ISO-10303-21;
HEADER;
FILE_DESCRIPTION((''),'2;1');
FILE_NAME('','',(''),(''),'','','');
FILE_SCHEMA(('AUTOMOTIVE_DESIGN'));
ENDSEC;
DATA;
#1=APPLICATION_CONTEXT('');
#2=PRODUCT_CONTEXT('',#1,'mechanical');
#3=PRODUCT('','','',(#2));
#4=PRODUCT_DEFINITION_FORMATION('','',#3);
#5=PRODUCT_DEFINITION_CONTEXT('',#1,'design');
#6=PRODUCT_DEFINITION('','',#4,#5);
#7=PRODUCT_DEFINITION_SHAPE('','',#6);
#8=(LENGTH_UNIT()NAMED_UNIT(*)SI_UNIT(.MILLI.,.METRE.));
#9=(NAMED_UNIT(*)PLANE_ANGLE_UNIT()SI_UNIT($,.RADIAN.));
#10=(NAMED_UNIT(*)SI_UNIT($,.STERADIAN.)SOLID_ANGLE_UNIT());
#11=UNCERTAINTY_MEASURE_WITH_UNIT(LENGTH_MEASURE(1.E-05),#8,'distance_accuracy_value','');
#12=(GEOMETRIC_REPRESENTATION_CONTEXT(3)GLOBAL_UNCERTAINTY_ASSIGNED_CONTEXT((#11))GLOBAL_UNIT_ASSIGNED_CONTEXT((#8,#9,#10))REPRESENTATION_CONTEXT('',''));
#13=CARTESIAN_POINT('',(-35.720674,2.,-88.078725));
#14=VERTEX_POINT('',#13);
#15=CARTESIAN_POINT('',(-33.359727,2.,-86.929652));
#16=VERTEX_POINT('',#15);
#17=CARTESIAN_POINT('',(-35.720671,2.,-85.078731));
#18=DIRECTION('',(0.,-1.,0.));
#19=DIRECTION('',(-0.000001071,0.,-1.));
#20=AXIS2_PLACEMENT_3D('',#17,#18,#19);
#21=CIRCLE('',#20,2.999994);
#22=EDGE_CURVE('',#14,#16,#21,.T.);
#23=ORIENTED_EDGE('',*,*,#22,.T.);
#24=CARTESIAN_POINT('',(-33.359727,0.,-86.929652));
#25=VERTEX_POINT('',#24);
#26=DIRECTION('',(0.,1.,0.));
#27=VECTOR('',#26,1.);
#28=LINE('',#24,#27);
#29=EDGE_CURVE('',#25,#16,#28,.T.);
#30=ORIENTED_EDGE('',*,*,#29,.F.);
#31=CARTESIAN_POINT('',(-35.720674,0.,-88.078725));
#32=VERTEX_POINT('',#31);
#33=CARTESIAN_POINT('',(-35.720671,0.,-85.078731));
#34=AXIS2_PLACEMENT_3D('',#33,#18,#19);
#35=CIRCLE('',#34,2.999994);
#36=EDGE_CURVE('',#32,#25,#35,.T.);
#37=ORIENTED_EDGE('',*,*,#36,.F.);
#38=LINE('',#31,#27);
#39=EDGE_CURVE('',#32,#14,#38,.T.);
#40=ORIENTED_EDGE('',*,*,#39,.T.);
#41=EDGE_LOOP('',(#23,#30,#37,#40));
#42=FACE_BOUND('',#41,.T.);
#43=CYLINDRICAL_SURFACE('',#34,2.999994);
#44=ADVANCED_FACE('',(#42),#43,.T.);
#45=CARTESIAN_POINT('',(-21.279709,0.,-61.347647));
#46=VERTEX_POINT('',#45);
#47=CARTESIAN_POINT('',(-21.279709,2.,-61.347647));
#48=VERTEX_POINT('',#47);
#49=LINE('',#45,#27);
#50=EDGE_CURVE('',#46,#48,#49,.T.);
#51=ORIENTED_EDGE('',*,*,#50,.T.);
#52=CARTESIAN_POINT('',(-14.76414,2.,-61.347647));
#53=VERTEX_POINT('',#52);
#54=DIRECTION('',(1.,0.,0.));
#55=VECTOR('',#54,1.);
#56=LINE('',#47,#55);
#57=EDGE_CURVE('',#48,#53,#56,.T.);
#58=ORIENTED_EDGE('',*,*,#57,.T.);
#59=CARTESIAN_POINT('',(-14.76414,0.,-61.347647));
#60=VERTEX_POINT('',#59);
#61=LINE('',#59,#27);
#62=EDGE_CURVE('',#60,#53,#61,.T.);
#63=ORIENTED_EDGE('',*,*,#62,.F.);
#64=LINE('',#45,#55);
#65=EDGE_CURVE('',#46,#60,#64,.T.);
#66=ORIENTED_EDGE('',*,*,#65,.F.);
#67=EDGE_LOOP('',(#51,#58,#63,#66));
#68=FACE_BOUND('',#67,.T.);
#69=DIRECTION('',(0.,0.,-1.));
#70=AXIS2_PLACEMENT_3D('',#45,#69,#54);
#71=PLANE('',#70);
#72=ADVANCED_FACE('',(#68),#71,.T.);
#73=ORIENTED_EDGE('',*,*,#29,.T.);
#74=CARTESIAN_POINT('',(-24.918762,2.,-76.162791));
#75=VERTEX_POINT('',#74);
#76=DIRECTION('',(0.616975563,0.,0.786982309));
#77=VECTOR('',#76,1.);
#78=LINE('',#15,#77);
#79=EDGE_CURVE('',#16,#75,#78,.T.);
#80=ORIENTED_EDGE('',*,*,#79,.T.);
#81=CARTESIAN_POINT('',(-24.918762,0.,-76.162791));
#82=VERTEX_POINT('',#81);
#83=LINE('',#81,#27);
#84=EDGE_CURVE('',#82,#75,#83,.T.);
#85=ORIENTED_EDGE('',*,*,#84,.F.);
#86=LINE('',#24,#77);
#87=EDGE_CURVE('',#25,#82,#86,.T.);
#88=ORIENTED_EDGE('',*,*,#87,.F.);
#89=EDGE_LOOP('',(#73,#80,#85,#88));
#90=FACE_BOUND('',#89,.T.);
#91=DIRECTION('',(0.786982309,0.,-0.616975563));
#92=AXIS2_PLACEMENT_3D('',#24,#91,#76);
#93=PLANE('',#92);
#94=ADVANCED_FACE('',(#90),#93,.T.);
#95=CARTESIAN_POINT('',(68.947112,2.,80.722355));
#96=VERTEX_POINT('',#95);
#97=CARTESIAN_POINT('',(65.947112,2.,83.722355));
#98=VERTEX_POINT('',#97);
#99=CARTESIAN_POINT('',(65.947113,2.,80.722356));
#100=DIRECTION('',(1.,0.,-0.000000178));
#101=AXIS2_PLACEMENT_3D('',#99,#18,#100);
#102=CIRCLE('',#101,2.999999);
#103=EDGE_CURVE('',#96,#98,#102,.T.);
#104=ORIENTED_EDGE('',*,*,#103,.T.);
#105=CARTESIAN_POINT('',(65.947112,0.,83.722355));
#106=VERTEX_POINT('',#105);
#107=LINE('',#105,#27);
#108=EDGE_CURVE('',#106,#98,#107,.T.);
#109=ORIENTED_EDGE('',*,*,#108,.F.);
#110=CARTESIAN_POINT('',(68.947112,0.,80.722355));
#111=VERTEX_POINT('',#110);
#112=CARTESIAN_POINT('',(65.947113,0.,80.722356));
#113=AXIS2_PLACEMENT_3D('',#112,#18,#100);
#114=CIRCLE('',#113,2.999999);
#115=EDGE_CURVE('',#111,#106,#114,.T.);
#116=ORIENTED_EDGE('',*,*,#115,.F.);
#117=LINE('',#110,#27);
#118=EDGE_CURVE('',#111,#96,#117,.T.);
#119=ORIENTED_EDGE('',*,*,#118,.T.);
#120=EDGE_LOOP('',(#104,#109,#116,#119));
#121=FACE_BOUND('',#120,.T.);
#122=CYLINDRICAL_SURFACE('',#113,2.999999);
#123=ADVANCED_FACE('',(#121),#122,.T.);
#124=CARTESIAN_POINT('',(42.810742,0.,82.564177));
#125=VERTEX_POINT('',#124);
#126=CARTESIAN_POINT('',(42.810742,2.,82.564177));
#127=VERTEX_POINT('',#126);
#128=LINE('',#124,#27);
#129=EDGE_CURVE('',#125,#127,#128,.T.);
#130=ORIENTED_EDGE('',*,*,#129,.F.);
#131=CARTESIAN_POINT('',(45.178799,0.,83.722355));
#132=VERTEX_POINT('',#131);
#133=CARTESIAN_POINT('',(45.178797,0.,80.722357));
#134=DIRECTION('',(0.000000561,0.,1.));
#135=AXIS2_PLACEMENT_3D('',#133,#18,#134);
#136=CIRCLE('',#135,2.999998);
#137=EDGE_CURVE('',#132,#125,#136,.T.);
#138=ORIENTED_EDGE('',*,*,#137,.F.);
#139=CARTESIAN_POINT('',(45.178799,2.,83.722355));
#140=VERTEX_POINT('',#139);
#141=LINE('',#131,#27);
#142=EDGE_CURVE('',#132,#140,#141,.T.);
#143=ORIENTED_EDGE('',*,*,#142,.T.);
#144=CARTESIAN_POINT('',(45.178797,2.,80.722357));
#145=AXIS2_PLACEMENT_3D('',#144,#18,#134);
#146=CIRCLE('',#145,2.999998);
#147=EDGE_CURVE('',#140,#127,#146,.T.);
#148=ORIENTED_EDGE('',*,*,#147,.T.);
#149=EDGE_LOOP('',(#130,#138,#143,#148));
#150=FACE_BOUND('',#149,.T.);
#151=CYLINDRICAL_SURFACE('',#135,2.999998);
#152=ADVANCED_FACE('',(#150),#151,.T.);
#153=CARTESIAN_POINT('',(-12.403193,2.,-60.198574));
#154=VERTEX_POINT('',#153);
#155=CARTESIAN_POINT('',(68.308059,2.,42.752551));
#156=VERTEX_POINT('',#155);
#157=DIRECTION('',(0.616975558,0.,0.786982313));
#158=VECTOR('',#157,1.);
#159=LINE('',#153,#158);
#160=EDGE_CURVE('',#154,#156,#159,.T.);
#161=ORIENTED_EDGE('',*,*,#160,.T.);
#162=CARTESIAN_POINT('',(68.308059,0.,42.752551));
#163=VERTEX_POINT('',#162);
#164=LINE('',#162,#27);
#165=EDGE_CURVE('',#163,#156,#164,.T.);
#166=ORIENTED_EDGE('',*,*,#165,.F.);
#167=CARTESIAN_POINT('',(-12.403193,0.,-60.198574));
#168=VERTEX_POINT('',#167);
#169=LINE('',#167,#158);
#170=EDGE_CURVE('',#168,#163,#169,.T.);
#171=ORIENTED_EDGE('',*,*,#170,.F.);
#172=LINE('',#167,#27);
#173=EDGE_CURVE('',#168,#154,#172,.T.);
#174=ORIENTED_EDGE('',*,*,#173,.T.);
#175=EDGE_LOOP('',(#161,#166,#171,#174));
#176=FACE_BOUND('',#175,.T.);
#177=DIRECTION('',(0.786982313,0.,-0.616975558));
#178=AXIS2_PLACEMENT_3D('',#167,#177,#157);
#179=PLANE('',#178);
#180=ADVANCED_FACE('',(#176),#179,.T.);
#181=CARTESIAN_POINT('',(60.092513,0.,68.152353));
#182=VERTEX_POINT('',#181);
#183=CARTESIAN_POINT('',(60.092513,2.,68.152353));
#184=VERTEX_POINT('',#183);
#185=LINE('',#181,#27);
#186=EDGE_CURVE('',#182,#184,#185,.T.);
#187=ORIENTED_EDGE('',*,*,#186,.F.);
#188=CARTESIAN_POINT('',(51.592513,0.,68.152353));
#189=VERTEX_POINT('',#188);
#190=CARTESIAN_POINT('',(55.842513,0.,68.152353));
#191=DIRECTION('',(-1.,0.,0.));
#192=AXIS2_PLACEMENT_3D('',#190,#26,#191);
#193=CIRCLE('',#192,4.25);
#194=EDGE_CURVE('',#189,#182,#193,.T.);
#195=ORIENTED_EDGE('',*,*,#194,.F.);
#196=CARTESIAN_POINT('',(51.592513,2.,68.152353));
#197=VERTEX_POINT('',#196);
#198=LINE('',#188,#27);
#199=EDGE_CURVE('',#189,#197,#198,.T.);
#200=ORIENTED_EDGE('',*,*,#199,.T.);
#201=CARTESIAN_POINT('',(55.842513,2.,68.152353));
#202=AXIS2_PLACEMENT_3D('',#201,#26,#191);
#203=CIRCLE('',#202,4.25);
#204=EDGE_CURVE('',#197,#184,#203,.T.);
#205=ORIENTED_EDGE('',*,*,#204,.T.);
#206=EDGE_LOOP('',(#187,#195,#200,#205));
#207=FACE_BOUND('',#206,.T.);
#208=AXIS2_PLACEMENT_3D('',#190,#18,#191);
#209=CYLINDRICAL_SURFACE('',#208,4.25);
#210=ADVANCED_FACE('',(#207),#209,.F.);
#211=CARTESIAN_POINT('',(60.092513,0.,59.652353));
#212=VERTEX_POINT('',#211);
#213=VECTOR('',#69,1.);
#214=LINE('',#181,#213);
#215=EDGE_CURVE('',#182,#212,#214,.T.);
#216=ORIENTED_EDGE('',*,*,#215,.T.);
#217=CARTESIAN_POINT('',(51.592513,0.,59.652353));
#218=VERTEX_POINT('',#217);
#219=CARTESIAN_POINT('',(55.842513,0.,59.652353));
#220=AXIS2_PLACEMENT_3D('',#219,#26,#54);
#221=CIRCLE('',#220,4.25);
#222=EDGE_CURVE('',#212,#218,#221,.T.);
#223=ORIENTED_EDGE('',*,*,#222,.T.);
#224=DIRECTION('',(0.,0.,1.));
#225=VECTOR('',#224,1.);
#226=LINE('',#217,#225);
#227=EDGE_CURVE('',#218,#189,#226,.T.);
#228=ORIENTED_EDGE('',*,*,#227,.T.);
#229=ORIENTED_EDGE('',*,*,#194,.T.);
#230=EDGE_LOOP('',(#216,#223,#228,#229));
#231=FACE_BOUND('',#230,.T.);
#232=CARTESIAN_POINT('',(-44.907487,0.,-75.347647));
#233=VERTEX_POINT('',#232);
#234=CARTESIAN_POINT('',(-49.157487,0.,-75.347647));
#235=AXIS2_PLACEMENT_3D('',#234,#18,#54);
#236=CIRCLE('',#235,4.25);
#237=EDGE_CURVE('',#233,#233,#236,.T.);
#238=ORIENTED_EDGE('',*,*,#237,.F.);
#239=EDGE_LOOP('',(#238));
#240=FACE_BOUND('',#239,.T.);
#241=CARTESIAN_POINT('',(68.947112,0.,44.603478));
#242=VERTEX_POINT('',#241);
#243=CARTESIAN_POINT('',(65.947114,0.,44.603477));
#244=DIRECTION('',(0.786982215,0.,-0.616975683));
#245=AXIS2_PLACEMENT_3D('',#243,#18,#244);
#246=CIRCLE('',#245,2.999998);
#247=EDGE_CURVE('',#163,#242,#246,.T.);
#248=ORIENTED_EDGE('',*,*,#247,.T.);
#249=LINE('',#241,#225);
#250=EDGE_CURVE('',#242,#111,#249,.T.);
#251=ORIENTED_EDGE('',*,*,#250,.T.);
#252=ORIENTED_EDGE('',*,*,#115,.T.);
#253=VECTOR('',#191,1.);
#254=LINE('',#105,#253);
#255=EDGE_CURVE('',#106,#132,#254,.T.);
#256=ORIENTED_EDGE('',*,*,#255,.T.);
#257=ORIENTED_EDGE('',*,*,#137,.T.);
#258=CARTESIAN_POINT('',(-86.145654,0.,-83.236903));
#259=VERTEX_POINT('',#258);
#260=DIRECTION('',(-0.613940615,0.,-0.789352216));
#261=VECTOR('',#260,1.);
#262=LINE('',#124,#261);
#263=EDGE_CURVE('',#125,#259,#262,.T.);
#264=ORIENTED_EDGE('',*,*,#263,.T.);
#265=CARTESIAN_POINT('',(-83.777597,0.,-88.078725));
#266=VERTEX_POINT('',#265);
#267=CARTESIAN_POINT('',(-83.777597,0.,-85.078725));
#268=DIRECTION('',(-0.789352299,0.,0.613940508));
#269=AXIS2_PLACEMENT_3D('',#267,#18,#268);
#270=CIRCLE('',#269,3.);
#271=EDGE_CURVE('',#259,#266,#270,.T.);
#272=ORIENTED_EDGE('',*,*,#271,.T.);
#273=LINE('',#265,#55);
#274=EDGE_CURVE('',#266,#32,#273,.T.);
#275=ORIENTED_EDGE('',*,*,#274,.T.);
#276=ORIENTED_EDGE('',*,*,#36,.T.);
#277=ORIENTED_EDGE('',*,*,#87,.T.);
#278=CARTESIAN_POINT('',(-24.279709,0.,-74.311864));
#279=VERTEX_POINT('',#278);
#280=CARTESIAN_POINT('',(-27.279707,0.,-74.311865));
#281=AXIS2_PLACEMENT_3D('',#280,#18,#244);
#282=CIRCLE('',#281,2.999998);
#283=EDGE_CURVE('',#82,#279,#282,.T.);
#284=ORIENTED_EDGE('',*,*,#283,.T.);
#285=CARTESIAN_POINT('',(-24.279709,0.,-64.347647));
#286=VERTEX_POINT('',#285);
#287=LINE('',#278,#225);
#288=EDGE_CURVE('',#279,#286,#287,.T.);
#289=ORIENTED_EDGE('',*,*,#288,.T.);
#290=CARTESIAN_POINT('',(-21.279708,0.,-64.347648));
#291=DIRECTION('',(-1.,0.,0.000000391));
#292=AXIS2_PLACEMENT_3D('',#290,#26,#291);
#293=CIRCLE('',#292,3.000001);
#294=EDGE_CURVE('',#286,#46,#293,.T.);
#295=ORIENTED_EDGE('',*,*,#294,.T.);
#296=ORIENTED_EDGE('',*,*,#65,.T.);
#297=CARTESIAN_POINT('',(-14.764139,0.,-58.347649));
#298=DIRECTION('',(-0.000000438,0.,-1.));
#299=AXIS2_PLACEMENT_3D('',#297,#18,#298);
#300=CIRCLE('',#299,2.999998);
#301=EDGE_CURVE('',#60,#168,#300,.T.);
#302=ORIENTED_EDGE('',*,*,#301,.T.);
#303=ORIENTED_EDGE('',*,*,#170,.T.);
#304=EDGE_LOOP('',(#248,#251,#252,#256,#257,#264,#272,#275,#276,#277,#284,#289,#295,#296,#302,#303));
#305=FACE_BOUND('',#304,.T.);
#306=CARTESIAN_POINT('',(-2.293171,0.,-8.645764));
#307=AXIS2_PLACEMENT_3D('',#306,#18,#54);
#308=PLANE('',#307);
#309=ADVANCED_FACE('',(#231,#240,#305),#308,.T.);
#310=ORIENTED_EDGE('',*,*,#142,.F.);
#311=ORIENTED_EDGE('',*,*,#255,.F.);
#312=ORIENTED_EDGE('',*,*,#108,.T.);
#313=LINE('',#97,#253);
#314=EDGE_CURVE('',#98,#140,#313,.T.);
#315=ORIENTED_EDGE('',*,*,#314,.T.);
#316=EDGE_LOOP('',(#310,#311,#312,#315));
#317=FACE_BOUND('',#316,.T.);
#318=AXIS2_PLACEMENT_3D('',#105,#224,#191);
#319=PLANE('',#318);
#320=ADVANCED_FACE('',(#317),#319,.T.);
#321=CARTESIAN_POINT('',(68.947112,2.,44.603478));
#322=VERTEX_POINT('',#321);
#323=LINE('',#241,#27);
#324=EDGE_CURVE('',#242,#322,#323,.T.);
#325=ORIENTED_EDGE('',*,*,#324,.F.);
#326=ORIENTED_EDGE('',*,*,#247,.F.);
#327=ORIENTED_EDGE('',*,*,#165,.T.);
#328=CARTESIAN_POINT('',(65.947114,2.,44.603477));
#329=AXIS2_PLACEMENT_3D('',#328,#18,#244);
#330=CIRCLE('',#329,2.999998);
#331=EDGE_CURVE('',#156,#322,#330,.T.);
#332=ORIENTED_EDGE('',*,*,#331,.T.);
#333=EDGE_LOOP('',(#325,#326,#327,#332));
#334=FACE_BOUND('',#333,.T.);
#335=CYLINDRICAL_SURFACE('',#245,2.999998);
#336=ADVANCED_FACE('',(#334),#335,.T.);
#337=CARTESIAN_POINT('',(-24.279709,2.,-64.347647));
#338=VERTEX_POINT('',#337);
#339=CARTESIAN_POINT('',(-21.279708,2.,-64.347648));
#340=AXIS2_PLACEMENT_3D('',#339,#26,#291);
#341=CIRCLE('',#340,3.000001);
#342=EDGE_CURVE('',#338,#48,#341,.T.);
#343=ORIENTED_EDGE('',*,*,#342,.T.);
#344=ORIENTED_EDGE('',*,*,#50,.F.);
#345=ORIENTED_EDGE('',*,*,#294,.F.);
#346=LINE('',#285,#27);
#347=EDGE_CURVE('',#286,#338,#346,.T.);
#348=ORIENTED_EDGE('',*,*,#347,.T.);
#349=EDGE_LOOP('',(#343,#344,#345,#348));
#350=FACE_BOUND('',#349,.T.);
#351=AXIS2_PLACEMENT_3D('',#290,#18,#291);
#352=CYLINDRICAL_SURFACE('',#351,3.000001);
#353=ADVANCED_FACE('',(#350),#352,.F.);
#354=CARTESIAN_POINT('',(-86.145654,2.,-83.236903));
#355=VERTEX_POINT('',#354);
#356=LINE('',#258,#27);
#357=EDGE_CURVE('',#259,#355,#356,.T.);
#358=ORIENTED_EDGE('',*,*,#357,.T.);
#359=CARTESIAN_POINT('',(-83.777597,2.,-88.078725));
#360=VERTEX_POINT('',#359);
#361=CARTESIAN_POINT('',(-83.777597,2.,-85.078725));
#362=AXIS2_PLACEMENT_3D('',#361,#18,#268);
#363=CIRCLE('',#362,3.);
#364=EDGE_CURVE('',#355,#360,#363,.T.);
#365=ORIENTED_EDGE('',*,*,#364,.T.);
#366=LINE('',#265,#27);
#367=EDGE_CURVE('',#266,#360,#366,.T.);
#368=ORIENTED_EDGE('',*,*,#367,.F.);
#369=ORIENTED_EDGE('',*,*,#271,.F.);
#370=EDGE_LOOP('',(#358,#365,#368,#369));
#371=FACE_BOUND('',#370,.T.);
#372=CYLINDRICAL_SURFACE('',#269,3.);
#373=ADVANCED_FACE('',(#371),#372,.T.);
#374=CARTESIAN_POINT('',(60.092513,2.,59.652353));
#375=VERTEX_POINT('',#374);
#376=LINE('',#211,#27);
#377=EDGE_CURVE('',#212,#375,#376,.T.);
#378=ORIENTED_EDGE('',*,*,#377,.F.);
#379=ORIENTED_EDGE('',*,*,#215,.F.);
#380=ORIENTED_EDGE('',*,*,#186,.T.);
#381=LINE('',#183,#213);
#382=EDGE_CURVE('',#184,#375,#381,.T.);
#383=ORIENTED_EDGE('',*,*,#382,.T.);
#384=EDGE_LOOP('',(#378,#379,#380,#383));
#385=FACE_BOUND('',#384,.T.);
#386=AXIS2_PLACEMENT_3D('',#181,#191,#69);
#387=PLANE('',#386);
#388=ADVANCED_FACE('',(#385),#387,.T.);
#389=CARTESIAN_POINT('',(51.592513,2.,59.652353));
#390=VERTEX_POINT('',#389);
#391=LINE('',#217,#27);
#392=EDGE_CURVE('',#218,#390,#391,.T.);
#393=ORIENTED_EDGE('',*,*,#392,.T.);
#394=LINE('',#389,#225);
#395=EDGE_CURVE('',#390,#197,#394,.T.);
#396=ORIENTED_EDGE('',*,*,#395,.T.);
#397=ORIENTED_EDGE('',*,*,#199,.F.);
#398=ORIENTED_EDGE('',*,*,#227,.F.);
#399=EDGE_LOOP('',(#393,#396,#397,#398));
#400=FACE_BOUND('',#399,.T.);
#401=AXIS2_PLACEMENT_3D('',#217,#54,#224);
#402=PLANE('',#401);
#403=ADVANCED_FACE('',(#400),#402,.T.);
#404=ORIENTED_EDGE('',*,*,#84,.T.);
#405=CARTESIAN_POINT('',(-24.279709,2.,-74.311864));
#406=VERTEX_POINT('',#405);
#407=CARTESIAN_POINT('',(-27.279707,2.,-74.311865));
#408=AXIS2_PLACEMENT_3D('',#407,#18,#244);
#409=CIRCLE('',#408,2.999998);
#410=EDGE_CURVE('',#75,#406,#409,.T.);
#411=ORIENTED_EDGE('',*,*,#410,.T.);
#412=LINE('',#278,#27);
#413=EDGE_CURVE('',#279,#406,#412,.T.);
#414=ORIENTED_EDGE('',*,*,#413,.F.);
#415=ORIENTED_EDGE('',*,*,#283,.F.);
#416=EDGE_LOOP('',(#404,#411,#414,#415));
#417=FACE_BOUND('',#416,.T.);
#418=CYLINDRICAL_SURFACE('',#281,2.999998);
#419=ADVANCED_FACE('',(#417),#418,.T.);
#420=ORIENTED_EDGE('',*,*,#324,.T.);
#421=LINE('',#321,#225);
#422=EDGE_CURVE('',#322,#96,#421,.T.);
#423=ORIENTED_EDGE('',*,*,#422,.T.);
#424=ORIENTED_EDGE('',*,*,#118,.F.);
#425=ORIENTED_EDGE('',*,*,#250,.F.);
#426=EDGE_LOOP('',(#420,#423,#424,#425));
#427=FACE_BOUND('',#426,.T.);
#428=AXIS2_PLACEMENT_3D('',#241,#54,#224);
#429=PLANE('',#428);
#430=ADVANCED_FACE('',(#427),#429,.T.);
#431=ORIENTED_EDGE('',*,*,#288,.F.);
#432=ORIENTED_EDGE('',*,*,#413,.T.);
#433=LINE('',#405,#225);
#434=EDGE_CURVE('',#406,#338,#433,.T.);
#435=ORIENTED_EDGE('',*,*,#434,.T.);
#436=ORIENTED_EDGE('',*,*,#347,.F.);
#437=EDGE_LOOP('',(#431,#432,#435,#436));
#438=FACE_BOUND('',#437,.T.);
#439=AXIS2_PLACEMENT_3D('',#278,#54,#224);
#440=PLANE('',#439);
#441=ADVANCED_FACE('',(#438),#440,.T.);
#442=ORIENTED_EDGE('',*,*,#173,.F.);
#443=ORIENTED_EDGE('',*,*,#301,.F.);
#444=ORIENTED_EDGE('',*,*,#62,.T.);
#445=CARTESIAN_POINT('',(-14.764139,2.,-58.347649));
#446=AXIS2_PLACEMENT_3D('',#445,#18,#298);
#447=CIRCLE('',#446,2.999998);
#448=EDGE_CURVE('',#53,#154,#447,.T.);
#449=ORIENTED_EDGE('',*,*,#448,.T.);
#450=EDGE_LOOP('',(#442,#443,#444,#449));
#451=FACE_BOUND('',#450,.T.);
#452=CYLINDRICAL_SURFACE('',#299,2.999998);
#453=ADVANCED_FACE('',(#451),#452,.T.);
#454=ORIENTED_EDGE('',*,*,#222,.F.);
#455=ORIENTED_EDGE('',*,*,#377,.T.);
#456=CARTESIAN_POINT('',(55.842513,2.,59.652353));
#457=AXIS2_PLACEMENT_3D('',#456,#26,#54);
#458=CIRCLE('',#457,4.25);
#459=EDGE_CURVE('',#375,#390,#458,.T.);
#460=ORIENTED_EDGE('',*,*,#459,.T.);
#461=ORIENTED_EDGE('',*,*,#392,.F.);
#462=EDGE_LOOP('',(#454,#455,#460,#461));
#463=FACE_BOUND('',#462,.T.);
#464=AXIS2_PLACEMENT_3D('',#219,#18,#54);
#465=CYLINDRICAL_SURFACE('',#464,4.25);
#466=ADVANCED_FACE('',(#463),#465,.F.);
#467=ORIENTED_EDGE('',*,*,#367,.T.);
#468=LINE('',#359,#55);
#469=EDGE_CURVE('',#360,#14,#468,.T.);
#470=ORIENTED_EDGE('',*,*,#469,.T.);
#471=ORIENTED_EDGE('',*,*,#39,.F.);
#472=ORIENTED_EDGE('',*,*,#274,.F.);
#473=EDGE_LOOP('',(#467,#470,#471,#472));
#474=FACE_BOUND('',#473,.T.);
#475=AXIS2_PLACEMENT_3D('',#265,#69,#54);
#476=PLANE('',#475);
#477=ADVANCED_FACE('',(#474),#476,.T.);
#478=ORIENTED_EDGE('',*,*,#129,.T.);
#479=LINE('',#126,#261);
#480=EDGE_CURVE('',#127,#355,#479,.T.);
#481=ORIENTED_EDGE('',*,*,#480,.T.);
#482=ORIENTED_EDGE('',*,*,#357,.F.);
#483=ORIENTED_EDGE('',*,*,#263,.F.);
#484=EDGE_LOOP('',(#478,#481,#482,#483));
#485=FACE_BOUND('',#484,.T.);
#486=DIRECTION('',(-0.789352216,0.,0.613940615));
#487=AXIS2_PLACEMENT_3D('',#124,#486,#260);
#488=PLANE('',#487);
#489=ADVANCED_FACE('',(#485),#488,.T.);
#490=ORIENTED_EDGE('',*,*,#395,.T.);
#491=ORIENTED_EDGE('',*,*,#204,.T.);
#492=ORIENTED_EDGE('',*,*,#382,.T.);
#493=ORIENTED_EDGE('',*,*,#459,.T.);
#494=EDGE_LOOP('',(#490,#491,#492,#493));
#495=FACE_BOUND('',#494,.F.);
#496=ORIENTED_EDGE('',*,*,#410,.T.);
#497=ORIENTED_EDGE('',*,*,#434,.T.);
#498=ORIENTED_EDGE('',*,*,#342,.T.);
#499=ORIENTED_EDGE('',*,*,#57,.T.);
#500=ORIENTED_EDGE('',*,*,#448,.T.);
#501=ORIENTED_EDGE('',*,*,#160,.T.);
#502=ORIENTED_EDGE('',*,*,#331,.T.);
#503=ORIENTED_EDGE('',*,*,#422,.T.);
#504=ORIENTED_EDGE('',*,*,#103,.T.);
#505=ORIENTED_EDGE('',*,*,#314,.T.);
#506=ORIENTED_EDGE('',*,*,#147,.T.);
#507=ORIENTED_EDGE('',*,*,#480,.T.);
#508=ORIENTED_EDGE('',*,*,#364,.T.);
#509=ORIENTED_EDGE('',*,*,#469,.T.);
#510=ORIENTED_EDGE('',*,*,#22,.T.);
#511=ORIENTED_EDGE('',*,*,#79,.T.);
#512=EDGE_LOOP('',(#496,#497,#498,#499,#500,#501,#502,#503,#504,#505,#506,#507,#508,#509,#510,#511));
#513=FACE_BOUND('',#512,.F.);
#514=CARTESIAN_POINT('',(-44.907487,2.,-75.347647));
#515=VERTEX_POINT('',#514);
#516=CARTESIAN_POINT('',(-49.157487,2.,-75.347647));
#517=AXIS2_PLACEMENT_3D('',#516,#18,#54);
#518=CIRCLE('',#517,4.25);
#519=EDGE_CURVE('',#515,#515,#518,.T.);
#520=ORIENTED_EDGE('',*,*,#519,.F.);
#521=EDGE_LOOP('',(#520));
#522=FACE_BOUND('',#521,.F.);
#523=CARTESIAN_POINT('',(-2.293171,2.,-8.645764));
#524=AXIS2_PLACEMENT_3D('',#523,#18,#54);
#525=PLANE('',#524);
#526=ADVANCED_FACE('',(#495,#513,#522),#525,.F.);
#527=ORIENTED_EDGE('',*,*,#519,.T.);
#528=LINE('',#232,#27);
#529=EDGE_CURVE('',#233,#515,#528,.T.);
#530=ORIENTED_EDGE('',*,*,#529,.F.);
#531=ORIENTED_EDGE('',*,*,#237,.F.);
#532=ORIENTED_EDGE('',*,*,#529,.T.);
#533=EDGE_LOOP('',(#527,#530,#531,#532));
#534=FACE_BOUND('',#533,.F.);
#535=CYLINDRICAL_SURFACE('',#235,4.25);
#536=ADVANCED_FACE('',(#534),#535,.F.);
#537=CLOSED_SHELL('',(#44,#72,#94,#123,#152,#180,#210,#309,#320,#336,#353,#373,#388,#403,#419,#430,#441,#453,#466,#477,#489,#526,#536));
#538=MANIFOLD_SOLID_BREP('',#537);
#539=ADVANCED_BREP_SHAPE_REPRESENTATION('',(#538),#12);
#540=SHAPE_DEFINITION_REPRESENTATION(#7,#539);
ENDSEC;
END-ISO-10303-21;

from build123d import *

# Parameters (mm, degrees)
F0_R     = 4.25
F1_DEPTH = 2


with BuildPart() as f1:
    # F0 (on Front) → F1 (new body)
    with BuildSketch(Plane.XZ):
        with BuildLine():
            ThreePointArc((-86.145654, -83.236903), (-86.472543, -86.396779), (-83.777597, -88.078725))
            Line((-83.777597, -88.078725), (-35.720674, -88.078725))
            ThreePointArc((-35.720674, -88.078725), (-34.40781, -87.776204), (-33.359727, -86.929652))
            Line((-33.359727, -86.929652), (-24.918762, -76.162791))
            ThreePointArc((-24.918762, -76.162791), (-24.443969, -75.290935), (-24.279709, -74.311864))
            Line((-24.279709, -74.311864), (-24.279709, -64.347647))
            ThreePointArc((-24.279709, -64.347647), (-23.401029, -62.226327), (-21.279709, -61.347647))
            Line((-21.279709, -61.347647), (-14.76414, -61.347647))
            ThreePointArc((-14.76414, -61.347647), (-13.451277, -61.045126), (-12.403193, -60.198574))
            Line((-12.403193, -60.198574), (68.308059, 42.752551))
            ThreePointArc((68.308059, 42.752551), (68.782852, 43.624407), (68.947112, 44.603478))
            Line((68.947112, 44.603478), (68.947112, 80.722355))
            ThreePointArc((68.947112, 80.722355), (68.068433, 82.843675), (65.947112, 83.722355))
            Line((65.947112, 83.722355), (45.178799, 83.722355))
            ThreePointArc((45.178799, 83.722355), (43.860744, 83.417301), (42.810742, 82.564177))
            Line((42.810742, 82.564177), (-86.145654, -83.236903))
        make_face()
        with Locations((-49.157487, -75.347647)):
            Circle(F0_R, mode=Mode.SUBTRACT)
        with BuildLine():
            ThreePointArc((60.092513, 59.652353), (55.842513, 55.402353), (51.592513, 59.652353))
            Line((51.592513, 59.652353), (51.592513, 68.152353))
            ThreePointArc((51.592513, 68.152353), (55.842513, 72.402353), (60.092513, 68.152353))
            Line((60.092513, 68.152353), (60.092513, 59.652353))
        make_face(mode=Mode.SUBTRACT)
    extrude(amount=-F1_DEPTH)


solid = f1.part
